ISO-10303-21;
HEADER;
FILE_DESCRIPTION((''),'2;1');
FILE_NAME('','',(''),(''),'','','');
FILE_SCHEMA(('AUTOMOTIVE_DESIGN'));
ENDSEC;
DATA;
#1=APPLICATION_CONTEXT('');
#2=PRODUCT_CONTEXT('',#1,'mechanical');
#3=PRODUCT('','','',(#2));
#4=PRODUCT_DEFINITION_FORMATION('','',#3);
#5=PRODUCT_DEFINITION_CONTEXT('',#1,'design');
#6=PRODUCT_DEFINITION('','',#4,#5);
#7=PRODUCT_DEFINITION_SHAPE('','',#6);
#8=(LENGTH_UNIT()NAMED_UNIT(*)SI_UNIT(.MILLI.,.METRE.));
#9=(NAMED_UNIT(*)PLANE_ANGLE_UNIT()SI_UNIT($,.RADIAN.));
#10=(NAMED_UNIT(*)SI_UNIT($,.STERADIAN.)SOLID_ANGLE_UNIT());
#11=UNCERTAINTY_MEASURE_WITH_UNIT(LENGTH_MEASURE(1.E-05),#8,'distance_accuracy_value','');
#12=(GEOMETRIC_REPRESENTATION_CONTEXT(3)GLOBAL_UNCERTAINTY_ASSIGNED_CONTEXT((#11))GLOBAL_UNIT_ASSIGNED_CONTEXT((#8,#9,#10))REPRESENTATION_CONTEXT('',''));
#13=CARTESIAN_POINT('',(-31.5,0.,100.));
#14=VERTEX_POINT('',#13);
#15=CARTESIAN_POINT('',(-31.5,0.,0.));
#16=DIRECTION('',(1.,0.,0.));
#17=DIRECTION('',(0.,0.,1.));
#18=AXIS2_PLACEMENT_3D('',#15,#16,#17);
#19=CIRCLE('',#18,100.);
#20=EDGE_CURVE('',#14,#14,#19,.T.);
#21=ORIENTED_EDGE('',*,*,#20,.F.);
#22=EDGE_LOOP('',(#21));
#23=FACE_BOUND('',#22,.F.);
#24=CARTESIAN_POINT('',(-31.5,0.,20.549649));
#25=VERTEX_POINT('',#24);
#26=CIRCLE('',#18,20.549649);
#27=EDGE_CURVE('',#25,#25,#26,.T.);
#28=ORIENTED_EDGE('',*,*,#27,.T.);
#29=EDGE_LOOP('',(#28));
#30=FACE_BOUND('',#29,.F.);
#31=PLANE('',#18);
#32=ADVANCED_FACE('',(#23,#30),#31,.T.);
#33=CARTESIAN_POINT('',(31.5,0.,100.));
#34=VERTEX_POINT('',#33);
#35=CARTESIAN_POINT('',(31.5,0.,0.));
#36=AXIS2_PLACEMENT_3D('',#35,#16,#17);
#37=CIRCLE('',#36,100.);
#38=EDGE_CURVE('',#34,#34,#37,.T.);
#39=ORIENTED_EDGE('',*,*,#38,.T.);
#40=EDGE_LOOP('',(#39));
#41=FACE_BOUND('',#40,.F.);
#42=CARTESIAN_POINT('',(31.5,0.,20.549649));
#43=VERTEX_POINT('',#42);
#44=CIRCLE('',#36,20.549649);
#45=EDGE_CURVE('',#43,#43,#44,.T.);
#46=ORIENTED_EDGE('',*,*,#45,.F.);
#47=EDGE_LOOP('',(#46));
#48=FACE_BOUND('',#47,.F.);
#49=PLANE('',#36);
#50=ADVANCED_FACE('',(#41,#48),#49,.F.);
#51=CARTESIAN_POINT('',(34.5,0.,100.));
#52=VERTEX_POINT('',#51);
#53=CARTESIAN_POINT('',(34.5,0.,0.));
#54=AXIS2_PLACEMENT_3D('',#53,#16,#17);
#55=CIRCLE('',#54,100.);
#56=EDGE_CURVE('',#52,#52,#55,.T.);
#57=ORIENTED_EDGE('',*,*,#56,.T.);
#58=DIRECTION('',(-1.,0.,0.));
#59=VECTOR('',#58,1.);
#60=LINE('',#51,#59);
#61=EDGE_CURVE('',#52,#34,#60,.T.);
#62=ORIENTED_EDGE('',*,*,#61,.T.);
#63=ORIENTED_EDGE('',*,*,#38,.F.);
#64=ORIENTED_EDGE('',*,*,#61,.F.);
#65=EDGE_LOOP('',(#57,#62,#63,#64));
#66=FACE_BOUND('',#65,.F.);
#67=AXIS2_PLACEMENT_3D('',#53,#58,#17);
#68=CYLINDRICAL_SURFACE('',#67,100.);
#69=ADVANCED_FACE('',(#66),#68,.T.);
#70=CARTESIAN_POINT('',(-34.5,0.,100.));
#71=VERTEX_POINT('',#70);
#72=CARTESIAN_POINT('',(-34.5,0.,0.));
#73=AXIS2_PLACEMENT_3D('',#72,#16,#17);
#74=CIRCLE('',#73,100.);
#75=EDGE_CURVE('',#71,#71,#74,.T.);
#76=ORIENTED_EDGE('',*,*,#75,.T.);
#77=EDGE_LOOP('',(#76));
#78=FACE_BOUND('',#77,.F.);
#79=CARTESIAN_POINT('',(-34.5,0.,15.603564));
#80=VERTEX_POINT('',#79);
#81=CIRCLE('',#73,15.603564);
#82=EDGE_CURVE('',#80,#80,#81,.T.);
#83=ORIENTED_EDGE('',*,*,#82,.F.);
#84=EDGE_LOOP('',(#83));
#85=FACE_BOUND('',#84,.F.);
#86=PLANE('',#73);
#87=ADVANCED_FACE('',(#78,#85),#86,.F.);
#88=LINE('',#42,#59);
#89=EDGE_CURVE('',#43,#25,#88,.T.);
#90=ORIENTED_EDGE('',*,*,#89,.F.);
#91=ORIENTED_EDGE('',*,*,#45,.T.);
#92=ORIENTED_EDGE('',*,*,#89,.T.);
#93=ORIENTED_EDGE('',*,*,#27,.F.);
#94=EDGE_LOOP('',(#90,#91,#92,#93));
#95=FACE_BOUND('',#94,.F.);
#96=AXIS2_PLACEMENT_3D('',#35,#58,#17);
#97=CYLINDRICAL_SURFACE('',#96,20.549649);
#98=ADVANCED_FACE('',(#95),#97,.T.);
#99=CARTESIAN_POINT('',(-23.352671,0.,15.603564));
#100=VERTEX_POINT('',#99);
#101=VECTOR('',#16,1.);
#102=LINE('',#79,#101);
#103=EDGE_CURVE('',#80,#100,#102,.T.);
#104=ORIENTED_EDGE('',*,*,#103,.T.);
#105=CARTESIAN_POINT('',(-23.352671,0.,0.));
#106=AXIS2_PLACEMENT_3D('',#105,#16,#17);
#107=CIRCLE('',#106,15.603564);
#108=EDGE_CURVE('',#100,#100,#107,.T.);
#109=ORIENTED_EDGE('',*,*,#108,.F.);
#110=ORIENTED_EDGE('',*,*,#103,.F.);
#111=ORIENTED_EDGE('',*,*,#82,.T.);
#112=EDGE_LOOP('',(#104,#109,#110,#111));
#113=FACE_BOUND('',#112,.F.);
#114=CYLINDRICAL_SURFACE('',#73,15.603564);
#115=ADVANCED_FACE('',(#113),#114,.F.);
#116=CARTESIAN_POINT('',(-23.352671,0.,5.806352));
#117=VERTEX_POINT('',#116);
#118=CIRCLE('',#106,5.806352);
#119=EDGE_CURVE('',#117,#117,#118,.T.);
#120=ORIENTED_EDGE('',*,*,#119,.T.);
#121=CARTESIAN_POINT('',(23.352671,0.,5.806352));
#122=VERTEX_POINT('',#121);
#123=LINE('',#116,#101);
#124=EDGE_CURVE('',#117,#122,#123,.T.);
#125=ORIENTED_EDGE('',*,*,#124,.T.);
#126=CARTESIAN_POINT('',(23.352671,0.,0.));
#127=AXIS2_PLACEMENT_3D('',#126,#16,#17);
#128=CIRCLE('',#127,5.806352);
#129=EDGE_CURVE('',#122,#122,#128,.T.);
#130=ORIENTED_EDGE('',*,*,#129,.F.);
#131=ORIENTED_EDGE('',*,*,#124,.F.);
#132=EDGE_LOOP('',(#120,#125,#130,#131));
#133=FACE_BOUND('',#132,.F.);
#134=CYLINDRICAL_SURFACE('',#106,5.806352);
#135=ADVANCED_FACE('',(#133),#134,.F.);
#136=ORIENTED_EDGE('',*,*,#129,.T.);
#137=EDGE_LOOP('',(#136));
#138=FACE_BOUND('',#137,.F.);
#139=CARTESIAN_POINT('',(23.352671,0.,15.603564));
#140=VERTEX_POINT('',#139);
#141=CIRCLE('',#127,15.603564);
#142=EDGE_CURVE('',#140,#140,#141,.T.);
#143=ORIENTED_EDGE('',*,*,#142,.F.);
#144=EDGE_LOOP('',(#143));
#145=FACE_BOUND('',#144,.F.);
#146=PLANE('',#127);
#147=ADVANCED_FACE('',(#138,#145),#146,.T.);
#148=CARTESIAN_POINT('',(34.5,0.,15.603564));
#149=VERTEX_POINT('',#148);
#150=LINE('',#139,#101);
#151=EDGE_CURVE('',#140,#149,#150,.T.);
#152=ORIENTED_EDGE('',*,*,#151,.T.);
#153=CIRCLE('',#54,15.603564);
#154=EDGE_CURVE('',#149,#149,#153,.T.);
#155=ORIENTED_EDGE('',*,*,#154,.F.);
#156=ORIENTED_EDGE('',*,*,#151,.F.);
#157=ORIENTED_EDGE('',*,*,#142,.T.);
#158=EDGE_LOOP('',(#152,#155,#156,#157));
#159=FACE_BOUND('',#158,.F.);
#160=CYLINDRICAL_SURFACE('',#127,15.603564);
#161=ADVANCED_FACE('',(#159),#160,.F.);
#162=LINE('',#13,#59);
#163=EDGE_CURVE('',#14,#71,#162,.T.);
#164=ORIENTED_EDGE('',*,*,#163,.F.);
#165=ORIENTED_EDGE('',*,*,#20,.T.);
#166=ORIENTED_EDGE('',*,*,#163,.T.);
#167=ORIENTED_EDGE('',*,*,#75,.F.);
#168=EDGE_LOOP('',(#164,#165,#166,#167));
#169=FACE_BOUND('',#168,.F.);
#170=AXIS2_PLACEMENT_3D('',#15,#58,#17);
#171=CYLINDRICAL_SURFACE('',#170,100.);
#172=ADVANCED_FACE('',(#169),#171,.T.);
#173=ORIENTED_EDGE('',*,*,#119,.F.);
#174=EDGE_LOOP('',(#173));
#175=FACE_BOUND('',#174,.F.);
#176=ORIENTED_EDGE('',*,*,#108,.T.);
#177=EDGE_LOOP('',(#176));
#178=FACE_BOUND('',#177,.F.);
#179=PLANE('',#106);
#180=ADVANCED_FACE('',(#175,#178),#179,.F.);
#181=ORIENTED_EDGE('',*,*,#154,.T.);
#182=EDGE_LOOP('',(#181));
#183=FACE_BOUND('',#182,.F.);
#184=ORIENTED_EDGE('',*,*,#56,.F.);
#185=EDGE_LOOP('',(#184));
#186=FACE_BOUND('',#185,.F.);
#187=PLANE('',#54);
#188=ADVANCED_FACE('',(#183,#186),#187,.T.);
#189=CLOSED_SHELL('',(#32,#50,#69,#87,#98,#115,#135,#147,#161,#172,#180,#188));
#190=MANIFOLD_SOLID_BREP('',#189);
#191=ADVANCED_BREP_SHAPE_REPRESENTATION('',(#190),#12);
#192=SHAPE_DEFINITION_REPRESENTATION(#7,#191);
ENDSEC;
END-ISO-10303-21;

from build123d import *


with BuildPart() as f1:
    # F0 (on Front) → F1 (revolve)
    with BuildSketch(Plane.XZ):
        Polygon((0, 5.806352), (0, 20.549649), (-31.5, 20.549649), (-31.5, 100), (-34.5, 100), (-34.5, 15.603564), (-23.352671, 15.603564), (-23.352671, 5.806352), align=None)
        Polygon((31.5, 20.549649), (0, 20.549649), (0, 5.806352), (23.352671, 5.806352), (23.352671, 15.603564), (34.5, 15.603564), (34.5, 100), (31.5, 100), align=None)
    revolve(axis=Axis((6.947005, 0, 0), (1, 0, 0)))


solid = f1.part
